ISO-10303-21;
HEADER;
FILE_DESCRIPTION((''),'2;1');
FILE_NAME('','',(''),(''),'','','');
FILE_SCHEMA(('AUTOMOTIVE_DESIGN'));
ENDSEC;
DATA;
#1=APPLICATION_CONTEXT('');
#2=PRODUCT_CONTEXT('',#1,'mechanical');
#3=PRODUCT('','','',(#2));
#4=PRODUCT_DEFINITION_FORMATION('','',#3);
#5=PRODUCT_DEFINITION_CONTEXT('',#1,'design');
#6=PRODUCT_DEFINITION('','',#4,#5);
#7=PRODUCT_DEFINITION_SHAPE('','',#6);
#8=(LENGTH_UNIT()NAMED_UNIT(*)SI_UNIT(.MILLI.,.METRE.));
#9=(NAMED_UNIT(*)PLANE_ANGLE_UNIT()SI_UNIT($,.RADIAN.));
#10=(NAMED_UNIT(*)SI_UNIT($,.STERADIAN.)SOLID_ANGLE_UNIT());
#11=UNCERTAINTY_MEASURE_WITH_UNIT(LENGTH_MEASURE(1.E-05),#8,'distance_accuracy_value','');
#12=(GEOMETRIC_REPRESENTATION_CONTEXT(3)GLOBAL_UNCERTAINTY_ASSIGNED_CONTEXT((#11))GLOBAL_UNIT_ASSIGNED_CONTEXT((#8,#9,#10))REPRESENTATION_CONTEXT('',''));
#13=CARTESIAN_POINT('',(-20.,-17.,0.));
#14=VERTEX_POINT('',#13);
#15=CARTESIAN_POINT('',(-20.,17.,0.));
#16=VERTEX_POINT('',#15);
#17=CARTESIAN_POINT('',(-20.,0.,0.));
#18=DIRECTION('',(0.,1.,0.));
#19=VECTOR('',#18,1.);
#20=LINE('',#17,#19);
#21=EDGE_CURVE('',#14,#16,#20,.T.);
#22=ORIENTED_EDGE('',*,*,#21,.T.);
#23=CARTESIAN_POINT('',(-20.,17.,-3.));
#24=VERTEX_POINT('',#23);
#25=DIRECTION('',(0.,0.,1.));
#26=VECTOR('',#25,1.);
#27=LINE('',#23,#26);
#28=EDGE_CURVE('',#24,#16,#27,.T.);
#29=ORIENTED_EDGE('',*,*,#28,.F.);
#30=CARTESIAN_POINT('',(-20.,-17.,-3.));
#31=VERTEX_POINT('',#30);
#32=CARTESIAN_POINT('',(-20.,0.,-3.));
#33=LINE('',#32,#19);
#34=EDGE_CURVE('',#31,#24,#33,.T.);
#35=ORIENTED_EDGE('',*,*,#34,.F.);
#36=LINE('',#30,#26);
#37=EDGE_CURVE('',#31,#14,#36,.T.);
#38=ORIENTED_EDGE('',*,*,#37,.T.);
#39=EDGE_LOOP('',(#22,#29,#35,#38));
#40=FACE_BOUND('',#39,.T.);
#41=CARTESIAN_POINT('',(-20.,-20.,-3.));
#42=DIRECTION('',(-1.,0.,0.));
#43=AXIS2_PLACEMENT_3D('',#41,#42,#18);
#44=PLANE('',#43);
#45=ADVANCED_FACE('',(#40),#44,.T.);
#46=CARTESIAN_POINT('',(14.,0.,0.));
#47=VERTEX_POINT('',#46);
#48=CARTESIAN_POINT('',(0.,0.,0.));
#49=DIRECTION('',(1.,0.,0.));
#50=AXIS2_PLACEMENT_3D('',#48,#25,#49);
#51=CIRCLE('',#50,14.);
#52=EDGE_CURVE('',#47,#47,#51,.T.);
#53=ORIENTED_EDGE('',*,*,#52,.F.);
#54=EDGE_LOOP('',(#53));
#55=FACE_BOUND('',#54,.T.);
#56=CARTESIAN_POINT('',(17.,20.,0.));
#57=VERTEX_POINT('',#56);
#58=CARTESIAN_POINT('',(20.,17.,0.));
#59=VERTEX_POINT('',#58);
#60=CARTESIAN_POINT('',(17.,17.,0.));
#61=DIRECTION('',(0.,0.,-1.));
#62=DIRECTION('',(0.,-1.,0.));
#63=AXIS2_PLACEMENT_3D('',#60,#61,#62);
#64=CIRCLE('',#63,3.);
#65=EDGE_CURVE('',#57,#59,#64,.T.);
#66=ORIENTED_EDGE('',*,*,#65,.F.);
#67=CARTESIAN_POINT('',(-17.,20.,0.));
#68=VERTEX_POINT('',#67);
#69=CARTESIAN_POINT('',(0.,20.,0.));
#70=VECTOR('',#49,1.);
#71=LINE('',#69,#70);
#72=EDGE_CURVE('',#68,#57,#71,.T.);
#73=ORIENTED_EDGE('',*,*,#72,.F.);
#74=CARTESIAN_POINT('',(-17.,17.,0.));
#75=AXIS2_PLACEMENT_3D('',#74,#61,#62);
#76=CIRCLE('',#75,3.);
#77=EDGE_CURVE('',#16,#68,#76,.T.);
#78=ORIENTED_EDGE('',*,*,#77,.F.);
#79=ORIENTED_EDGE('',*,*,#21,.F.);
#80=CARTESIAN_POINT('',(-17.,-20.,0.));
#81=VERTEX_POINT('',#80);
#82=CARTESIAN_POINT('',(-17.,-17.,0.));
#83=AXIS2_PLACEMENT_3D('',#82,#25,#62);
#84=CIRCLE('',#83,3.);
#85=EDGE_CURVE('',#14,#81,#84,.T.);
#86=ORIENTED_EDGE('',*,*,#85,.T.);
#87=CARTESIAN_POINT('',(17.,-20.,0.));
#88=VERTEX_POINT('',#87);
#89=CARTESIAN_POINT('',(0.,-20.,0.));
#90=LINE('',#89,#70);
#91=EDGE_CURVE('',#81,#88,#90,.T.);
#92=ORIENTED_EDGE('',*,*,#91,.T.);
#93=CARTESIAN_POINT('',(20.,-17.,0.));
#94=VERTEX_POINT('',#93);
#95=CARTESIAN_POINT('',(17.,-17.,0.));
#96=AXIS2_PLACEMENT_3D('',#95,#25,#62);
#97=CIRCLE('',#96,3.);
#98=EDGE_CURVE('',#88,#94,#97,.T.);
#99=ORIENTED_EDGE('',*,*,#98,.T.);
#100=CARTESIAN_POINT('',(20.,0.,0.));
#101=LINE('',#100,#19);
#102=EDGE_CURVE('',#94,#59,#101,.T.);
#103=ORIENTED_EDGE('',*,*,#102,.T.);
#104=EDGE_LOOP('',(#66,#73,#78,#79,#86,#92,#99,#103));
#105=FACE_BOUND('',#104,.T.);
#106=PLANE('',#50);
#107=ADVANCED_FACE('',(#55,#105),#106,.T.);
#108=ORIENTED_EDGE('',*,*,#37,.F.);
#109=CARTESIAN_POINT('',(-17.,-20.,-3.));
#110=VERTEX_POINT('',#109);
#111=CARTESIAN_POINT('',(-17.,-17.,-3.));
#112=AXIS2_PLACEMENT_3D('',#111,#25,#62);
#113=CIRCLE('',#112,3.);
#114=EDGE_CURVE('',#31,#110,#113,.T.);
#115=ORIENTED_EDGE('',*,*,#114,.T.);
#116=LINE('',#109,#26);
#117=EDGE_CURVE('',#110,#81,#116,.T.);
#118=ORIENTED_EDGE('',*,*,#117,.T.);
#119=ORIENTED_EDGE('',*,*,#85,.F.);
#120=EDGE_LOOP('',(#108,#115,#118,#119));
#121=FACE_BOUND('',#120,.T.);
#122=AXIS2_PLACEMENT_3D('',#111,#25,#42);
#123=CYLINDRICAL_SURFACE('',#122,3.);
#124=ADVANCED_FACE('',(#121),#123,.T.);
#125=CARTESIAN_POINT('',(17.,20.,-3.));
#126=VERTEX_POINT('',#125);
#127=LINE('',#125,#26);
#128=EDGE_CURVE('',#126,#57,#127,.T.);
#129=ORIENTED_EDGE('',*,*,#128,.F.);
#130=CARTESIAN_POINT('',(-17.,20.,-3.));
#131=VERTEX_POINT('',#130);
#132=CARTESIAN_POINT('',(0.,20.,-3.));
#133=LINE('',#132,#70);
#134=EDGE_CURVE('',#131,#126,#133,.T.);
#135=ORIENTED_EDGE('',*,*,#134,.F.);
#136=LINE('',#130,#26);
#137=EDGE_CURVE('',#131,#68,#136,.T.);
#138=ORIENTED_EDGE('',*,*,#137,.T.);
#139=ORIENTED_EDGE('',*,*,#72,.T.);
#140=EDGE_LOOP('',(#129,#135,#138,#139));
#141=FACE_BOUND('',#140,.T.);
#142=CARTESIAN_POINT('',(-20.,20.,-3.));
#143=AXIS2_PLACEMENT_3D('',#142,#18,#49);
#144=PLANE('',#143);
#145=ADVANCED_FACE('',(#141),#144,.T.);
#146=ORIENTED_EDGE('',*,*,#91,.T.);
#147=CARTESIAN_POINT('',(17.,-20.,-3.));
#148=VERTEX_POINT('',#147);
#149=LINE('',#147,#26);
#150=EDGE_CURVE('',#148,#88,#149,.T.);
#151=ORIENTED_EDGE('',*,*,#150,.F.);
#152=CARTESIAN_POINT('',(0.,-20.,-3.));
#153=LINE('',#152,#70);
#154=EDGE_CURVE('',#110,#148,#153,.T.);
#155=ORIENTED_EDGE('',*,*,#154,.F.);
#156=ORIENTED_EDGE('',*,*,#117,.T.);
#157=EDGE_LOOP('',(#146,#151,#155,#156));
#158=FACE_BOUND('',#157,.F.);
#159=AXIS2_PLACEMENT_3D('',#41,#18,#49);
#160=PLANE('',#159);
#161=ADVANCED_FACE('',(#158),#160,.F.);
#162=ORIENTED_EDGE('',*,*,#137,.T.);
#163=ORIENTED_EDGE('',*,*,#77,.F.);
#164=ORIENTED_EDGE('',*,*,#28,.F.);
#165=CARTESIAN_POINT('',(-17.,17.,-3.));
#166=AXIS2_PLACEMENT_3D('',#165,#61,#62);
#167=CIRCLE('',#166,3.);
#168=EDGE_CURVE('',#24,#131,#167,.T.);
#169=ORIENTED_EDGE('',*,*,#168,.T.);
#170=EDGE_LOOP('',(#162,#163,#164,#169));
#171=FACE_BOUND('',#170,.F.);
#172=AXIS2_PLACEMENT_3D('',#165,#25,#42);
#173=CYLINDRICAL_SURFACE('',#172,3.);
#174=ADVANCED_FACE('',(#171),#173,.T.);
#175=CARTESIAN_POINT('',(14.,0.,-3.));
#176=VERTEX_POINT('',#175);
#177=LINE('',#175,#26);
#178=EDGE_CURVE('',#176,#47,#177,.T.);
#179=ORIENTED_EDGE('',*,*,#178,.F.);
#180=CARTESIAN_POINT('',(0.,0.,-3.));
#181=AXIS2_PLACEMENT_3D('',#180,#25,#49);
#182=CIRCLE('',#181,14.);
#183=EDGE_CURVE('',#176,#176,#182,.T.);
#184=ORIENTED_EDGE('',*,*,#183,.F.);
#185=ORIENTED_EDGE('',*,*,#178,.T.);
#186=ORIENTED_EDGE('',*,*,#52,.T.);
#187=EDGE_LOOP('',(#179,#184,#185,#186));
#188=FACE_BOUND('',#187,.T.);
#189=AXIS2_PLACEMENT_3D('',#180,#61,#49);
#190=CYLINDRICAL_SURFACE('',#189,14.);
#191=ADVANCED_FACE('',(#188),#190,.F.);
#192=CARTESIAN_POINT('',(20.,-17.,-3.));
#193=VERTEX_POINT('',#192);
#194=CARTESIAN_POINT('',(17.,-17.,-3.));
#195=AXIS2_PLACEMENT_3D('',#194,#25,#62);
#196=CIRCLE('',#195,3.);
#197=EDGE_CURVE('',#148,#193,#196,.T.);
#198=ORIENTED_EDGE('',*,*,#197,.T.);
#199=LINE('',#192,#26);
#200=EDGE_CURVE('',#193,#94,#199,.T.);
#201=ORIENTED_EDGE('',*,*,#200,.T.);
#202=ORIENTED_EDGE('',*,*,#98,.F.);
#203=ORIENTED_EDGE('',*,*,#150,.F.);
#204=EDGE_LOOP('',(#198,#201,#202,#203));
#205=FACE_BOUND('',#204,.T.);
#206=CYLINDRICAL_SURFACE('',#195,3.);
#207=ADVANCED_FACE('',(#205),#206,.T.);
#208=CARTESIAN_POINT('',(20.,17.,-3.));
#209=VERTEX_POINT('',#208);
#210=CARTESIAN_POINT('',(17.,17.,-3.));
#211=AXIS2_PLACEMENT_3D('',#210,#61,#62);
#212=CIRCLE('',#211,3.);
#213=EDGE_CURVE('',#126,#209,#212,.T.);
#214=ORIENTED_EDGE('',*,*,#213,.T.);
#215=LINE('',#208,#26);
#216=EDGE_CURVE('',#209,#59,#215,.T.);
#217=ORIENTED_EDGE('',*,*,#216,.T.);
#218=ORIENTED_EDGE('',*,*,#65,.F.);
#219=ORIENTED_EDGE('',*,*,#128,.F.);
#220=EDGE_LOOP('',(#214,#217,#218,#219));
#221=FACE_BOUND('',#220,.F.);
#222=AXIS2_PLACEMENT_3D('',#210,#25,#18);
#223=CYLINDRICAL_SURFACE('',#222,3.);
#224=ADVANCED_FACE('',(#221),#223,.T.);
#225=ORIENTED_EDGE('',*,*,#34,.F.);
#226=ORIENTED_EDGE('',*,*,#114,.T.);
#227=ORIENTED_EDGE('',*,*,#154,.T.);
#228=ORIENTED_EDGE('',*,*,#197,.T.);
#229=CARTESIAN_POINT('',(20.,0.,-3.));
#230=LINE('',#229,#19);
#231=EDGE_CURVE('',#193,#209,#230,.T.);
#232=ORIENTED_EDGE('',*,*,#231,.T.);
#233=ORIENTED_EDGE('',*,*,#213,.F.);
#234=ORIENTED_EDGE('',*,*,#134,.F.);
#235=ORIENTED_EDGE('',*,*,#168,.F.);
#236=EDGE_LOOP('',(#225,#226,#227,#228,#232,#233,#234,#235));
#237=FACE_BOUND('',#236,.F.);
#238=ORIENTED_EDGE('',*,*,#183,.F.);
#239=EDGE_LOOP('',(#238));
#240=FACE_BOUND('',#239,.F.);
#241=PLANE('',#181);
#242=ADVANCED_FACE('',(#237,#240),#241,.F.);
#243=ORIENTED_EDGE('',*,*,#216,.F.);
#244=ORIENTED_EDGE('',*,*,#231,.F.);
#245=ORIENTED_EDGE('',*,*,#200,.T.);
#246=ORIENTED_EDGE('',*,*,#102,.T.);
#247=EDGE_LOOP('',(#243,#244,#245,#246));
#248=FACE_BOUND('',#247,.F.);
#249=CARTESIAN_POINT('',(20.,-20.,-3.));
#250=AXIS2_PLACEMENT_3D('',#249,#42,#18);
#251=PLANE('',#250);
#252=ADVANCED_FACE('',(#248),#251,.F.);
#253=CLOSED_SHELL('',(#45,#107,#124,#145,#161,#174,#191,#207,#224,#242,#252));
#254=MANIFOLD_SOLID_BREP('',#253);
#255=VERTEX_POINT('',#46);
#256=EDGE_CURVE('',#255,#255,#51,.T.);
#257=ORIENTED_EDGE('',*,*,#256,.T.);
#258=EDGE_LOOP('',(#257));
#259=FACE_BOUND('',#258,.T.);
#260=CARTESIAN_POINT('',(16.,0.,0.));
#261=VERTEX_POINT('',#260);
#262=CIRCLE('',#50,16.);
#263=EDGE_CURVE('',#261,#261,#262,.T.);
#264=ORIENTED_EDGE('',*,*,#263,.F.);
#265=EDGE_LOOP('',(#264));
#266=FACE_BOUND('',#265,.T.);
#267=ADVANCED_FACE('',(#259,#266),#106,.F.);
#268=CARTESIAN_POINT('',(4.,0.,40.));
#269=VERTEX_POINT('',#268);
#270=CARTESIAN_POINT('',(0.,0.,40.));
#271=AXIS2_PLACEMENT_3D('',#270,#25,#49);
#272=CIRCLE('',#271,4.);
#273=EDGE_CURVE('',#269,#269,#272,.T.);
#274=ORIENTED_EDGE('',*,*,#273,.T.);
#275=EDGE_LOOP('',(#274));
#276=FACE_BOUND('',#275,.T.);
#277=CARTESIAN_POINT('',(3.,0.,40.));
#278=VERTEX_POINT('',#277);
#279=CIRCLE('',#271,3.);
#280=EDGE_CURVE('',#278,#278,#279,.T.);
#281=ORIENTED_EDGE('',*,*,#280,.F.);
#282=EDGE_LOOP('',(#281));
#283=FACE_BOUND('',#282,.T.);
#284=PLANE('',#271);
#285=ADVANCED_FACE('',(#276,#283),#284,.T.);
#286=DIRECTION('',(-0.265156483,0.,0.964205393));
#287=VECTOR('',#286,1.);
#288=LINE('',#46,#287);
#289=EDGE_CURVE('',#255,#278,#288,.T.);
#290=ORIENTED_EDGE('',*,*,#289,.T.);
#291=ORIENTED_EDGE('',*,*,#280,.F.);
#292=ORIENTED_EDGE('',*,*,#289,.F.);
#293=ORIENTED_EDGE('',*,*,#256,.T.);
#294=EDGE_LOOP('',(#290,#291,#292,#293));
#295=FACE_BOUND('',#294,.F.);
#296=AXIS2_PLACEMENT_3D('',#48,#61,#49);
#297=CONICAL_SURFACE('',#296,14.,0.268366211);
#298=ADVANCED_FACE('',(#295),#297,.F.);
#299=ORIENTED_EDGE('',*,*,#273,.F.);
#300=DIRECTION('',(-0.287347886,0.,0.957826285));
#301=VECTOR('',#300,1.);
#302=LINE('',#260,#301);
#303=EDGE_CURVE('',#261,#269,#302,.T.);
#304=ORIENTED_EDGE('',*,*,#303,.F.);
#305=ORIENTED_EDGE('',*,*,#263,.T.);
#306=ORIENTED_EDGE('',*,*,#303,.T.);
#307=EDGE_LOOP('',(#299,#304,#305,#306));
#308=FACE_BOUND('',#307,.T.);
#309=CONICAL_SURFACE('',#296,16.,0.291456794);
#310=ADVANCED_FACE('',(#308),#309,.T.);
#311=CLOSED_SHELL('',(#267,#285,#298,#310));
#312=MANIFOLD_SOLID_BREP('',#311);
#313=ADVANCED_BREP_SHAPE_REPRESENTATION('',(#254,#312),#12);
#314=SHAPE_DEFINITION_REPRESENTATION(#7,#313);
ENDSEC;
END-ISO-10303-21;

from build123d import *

# Parameters (mm, degrees)
CYLINDER_R     = 14
CYLINDER_DEPTH = 3
BOX_W          = 40
BOX_H          = 40
BOX_DEPTH      = 3
FILLET_R       = 3


with BuildPart() as con001:
    # Cone001 → Cone001 (revolve)
    with BuildSketch(Plane.XZ):
        Polygon((0, 0), (14, 0), (3, 40), (0, 40), align=None)
    revolve(axis=Axis((0, 0, 0), (0, 0, 1)))


with BuildPart() as cut:
    # Cone → Cone (revolve)
    with BuildSketch(Plane.XZ):
        Polygon((0, 0), (16, 0), (4, 40), (0, 40), align=None)
    revolve(axis=Axis((0, 0, 0), (0, 0, 1)))

    # Cut: cut Con001
    add(con001.part, mode=Mode.SUBTRACT)


with BuildPart() as cilindre:
    # Cylinder → Cylinder (new body)
    with BuildSketch(Plane.XY.offset(-3)):
        Circle(CYLINDER_R)
    extrude(amount=CYLINDER_DEPTH)


with BuildPart() as fillet_body:
    # Box → Box (new body)
    with BuildSketch(Plane(origin=(-20, -20, -3), x_dir=(1, 0, 0), z_dir=(0, 0, 1))):
        with Locations((20, 20)):
            Rectangle(BOX_W, BOX_H)
    extrude(amount=BOX_DEPTH)

    # Cut001: cut Cilindre
    add(cilindre.part, mode=Mode.SUBTRACT)

    # Fillet
    fillet_edges = [fillet_body.edges().sort_by_distance(p)[0] for p in [
        (-20, -20, -1.5),
        (-20, 20, -1.5),
        (20, -20, -1.5),
        (20, 20, -1.5),
    ]]
    fillet(fillet_edges, radius=FILLET_R)


solid = Compound([cut.part, fillet_body.part])
